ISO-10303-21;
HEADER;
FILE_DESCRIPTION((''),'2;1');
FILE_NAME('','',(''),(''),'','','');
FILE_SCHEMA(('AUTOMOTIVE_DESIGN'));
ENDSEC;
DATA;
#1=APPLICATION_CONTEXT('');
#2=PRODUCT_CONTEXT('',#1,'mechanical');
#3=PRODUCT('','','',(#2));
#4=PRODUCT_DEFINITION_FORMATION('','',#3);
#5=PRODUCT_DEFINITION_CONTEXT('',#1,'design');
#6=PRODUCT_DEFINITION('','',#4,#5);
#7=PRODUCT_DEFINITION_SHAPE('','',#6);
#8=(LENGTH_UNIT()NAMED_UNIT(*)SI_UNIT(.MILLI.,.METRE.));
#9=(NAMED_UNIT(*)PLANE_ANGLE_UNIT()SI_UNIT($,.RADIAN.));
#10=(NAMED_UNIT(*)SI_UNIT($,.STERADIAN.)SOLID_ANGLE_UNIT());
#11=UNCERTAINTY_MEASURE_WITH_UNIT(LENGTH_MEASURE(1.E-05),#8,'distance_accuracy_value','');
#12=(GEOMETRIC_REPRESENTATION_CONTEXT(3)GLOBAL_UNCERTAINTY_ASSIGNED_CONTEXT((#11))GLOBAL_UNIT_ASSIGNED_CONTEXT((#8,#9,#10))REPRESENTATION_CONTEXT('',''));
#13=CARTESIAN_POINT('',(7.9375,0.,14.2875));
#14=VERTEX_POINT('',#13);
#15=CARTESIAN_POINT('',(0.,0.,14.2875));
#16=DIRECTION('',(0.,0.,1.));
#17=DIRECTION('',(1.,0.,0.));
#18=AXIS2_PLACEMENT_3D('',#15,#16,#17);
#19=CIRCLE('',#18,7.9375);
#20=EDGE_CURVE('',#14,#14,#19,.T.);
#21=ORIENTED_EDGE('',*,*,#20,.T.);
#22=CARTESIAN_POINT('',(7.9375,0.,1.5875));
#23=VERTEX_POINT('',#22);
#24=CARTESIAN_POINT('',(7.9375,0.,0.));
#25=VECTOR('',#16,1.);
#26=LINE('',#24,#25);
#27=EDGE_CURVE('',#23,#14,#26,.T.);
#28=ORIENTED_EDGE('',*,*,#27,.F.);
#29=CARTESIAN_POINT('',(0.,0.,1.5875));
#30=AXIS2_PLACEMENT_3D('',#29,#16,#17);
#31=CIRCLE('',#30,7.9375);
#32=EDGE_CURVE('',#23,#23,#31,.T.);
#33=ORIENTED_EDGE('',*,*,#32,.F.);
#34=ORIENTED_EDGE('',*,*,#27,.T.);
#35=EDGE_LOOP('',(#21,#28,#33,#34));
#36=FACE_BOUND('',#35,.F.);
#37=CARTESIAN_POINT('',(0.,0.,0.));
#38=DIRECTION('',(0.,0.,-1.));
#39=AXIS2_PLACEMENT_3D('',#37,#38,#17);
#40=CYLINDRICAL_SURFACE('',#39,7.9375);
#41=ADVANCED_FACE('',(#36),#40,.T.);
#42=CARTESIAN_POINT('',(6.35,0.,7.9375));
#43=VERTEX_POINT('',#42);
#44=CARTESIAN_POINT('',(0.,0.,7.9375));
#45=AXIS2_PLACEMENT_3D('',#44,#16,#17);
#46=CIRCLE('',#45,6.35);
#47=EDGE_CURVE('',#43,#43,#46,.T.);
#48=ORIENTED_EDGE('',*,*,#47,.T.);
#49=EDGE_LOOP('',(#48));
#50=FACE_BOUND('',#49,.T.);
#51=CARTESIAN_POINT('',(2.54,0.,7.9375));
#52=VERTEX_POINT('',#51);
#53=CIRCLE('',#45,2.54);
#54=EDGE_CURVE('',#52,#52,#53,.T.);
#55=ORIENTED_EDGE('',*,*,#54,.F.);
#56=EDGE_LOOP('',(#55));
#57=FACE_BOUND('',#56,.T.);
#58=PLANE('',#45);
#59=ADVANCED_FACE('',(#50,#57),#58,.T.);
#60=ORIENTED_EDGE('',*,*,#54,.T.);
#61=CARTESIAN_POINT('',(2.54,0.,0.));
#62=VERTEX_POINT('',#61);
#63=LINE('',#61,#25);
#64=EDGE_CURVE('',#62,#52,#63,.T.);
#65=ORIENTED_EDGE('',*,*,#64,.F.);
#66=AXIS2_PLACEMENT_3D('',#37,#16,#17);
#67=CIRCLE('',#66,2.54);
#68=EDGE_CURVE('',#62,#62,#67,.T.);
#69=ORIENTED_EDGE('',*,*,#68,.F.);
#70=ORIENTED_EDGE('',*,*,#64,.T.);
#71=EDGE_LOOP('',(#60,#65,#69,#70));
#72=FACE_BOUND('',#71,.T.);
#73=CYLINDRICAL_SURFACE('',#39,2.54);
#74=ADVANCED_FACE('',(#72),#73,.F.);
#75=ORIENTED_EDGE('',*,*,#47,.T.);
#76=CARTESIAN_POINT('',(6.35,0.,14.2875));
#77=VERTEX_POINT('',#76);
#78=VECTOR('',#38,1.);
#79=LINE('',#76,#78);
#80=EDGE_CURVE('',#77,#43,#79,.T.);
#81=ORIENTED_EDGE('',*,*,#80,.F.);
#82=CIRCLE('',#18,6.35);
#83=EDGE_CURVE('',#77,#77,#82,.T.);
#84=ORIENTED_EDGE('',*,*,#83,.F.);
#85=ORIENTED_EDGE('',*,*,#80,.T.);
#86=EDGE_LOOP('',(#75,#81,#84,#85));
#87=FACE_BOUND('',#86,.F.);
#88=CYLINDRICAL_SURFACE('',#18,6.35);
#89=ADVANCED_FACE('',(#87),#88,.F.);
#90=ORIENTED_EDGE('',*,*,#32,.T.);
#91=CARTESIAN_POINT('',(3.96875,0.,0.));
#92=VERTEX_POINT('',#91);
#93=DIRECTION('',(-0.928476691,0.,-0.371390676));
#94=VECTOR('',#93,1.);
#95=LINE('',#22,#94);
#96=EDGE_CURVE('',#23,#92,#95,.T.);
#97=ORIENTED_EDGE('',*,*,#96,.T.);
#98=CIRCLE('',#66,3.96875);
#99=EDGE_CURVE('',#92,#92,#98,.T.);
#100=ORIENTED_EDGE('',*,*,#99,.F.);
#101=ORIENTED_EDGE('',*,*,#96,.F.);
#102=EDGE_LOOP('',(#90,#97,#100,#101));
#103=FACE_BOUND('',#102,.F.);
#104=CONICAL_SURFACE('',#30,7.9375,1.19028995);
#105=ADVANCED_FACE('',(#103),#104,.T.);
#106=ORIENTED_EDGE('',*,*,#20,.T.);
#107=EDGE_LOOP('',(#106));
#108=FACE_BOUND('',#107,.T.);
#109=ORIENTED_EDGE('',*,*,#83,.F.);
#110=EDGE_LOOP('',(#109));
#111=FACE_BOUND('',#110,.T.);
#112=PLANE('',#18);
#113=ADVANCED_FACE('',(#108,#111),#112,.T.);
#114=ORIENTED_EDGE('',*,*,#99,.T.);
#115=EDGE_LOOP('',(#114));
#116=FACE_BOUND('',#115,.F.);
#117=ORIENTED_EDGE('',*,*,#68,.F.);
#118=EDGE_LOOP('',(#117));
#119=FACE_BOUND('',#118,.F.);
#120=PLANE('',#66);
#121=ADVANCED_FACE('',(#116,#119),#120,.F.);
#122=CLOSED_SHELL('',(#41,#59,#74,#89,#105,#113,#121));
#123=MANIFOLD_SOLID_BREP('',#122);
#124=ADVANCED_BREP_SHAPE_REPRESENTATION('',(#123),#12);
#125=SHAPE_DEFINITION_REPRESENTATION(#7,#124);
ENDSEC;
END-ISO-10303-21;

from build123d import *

# Parameters (mm, degrees)
F0_R     = 7.9375
F0_R_2   = 2.54
F1_DEPTH = 14.2875
F2_SIZE2 = 3.96875
F2_SIZE  = 1.5875
F3_R     = 6.35
F3_R_2   = 2.54
F4_DEPTH = 6.35


with BuildPart() as f1:
    # F0 (on Top) → F1 (new body)
    with BuildSketch(Plane.XY):
        Circle(F0_R)
        Circle(F0_R_2, mode=Mode.SUBTRACT)
    extrude(amount=F1_DEPTH)

    # F2
    f2_edges = [f1.edges().sort_by_distance(p)[0] for p in [
        (-7.9375, 0, 0),
    ]]
    chamfer(f2_edges, length=F2_SIZE, length2=F2_SIZE2)

    # F3 (on face) → F4 (cut)
    with BuildSketch(Plane.XY.offset(14.2875)):
        Circle(F3_R)
        Circle(F3_R_2, mode=Mode.SUBTRACT)
    extrude(amount=-F4_DEPTH, mode=Mode.SUBTRACT)


solid = f1.part
